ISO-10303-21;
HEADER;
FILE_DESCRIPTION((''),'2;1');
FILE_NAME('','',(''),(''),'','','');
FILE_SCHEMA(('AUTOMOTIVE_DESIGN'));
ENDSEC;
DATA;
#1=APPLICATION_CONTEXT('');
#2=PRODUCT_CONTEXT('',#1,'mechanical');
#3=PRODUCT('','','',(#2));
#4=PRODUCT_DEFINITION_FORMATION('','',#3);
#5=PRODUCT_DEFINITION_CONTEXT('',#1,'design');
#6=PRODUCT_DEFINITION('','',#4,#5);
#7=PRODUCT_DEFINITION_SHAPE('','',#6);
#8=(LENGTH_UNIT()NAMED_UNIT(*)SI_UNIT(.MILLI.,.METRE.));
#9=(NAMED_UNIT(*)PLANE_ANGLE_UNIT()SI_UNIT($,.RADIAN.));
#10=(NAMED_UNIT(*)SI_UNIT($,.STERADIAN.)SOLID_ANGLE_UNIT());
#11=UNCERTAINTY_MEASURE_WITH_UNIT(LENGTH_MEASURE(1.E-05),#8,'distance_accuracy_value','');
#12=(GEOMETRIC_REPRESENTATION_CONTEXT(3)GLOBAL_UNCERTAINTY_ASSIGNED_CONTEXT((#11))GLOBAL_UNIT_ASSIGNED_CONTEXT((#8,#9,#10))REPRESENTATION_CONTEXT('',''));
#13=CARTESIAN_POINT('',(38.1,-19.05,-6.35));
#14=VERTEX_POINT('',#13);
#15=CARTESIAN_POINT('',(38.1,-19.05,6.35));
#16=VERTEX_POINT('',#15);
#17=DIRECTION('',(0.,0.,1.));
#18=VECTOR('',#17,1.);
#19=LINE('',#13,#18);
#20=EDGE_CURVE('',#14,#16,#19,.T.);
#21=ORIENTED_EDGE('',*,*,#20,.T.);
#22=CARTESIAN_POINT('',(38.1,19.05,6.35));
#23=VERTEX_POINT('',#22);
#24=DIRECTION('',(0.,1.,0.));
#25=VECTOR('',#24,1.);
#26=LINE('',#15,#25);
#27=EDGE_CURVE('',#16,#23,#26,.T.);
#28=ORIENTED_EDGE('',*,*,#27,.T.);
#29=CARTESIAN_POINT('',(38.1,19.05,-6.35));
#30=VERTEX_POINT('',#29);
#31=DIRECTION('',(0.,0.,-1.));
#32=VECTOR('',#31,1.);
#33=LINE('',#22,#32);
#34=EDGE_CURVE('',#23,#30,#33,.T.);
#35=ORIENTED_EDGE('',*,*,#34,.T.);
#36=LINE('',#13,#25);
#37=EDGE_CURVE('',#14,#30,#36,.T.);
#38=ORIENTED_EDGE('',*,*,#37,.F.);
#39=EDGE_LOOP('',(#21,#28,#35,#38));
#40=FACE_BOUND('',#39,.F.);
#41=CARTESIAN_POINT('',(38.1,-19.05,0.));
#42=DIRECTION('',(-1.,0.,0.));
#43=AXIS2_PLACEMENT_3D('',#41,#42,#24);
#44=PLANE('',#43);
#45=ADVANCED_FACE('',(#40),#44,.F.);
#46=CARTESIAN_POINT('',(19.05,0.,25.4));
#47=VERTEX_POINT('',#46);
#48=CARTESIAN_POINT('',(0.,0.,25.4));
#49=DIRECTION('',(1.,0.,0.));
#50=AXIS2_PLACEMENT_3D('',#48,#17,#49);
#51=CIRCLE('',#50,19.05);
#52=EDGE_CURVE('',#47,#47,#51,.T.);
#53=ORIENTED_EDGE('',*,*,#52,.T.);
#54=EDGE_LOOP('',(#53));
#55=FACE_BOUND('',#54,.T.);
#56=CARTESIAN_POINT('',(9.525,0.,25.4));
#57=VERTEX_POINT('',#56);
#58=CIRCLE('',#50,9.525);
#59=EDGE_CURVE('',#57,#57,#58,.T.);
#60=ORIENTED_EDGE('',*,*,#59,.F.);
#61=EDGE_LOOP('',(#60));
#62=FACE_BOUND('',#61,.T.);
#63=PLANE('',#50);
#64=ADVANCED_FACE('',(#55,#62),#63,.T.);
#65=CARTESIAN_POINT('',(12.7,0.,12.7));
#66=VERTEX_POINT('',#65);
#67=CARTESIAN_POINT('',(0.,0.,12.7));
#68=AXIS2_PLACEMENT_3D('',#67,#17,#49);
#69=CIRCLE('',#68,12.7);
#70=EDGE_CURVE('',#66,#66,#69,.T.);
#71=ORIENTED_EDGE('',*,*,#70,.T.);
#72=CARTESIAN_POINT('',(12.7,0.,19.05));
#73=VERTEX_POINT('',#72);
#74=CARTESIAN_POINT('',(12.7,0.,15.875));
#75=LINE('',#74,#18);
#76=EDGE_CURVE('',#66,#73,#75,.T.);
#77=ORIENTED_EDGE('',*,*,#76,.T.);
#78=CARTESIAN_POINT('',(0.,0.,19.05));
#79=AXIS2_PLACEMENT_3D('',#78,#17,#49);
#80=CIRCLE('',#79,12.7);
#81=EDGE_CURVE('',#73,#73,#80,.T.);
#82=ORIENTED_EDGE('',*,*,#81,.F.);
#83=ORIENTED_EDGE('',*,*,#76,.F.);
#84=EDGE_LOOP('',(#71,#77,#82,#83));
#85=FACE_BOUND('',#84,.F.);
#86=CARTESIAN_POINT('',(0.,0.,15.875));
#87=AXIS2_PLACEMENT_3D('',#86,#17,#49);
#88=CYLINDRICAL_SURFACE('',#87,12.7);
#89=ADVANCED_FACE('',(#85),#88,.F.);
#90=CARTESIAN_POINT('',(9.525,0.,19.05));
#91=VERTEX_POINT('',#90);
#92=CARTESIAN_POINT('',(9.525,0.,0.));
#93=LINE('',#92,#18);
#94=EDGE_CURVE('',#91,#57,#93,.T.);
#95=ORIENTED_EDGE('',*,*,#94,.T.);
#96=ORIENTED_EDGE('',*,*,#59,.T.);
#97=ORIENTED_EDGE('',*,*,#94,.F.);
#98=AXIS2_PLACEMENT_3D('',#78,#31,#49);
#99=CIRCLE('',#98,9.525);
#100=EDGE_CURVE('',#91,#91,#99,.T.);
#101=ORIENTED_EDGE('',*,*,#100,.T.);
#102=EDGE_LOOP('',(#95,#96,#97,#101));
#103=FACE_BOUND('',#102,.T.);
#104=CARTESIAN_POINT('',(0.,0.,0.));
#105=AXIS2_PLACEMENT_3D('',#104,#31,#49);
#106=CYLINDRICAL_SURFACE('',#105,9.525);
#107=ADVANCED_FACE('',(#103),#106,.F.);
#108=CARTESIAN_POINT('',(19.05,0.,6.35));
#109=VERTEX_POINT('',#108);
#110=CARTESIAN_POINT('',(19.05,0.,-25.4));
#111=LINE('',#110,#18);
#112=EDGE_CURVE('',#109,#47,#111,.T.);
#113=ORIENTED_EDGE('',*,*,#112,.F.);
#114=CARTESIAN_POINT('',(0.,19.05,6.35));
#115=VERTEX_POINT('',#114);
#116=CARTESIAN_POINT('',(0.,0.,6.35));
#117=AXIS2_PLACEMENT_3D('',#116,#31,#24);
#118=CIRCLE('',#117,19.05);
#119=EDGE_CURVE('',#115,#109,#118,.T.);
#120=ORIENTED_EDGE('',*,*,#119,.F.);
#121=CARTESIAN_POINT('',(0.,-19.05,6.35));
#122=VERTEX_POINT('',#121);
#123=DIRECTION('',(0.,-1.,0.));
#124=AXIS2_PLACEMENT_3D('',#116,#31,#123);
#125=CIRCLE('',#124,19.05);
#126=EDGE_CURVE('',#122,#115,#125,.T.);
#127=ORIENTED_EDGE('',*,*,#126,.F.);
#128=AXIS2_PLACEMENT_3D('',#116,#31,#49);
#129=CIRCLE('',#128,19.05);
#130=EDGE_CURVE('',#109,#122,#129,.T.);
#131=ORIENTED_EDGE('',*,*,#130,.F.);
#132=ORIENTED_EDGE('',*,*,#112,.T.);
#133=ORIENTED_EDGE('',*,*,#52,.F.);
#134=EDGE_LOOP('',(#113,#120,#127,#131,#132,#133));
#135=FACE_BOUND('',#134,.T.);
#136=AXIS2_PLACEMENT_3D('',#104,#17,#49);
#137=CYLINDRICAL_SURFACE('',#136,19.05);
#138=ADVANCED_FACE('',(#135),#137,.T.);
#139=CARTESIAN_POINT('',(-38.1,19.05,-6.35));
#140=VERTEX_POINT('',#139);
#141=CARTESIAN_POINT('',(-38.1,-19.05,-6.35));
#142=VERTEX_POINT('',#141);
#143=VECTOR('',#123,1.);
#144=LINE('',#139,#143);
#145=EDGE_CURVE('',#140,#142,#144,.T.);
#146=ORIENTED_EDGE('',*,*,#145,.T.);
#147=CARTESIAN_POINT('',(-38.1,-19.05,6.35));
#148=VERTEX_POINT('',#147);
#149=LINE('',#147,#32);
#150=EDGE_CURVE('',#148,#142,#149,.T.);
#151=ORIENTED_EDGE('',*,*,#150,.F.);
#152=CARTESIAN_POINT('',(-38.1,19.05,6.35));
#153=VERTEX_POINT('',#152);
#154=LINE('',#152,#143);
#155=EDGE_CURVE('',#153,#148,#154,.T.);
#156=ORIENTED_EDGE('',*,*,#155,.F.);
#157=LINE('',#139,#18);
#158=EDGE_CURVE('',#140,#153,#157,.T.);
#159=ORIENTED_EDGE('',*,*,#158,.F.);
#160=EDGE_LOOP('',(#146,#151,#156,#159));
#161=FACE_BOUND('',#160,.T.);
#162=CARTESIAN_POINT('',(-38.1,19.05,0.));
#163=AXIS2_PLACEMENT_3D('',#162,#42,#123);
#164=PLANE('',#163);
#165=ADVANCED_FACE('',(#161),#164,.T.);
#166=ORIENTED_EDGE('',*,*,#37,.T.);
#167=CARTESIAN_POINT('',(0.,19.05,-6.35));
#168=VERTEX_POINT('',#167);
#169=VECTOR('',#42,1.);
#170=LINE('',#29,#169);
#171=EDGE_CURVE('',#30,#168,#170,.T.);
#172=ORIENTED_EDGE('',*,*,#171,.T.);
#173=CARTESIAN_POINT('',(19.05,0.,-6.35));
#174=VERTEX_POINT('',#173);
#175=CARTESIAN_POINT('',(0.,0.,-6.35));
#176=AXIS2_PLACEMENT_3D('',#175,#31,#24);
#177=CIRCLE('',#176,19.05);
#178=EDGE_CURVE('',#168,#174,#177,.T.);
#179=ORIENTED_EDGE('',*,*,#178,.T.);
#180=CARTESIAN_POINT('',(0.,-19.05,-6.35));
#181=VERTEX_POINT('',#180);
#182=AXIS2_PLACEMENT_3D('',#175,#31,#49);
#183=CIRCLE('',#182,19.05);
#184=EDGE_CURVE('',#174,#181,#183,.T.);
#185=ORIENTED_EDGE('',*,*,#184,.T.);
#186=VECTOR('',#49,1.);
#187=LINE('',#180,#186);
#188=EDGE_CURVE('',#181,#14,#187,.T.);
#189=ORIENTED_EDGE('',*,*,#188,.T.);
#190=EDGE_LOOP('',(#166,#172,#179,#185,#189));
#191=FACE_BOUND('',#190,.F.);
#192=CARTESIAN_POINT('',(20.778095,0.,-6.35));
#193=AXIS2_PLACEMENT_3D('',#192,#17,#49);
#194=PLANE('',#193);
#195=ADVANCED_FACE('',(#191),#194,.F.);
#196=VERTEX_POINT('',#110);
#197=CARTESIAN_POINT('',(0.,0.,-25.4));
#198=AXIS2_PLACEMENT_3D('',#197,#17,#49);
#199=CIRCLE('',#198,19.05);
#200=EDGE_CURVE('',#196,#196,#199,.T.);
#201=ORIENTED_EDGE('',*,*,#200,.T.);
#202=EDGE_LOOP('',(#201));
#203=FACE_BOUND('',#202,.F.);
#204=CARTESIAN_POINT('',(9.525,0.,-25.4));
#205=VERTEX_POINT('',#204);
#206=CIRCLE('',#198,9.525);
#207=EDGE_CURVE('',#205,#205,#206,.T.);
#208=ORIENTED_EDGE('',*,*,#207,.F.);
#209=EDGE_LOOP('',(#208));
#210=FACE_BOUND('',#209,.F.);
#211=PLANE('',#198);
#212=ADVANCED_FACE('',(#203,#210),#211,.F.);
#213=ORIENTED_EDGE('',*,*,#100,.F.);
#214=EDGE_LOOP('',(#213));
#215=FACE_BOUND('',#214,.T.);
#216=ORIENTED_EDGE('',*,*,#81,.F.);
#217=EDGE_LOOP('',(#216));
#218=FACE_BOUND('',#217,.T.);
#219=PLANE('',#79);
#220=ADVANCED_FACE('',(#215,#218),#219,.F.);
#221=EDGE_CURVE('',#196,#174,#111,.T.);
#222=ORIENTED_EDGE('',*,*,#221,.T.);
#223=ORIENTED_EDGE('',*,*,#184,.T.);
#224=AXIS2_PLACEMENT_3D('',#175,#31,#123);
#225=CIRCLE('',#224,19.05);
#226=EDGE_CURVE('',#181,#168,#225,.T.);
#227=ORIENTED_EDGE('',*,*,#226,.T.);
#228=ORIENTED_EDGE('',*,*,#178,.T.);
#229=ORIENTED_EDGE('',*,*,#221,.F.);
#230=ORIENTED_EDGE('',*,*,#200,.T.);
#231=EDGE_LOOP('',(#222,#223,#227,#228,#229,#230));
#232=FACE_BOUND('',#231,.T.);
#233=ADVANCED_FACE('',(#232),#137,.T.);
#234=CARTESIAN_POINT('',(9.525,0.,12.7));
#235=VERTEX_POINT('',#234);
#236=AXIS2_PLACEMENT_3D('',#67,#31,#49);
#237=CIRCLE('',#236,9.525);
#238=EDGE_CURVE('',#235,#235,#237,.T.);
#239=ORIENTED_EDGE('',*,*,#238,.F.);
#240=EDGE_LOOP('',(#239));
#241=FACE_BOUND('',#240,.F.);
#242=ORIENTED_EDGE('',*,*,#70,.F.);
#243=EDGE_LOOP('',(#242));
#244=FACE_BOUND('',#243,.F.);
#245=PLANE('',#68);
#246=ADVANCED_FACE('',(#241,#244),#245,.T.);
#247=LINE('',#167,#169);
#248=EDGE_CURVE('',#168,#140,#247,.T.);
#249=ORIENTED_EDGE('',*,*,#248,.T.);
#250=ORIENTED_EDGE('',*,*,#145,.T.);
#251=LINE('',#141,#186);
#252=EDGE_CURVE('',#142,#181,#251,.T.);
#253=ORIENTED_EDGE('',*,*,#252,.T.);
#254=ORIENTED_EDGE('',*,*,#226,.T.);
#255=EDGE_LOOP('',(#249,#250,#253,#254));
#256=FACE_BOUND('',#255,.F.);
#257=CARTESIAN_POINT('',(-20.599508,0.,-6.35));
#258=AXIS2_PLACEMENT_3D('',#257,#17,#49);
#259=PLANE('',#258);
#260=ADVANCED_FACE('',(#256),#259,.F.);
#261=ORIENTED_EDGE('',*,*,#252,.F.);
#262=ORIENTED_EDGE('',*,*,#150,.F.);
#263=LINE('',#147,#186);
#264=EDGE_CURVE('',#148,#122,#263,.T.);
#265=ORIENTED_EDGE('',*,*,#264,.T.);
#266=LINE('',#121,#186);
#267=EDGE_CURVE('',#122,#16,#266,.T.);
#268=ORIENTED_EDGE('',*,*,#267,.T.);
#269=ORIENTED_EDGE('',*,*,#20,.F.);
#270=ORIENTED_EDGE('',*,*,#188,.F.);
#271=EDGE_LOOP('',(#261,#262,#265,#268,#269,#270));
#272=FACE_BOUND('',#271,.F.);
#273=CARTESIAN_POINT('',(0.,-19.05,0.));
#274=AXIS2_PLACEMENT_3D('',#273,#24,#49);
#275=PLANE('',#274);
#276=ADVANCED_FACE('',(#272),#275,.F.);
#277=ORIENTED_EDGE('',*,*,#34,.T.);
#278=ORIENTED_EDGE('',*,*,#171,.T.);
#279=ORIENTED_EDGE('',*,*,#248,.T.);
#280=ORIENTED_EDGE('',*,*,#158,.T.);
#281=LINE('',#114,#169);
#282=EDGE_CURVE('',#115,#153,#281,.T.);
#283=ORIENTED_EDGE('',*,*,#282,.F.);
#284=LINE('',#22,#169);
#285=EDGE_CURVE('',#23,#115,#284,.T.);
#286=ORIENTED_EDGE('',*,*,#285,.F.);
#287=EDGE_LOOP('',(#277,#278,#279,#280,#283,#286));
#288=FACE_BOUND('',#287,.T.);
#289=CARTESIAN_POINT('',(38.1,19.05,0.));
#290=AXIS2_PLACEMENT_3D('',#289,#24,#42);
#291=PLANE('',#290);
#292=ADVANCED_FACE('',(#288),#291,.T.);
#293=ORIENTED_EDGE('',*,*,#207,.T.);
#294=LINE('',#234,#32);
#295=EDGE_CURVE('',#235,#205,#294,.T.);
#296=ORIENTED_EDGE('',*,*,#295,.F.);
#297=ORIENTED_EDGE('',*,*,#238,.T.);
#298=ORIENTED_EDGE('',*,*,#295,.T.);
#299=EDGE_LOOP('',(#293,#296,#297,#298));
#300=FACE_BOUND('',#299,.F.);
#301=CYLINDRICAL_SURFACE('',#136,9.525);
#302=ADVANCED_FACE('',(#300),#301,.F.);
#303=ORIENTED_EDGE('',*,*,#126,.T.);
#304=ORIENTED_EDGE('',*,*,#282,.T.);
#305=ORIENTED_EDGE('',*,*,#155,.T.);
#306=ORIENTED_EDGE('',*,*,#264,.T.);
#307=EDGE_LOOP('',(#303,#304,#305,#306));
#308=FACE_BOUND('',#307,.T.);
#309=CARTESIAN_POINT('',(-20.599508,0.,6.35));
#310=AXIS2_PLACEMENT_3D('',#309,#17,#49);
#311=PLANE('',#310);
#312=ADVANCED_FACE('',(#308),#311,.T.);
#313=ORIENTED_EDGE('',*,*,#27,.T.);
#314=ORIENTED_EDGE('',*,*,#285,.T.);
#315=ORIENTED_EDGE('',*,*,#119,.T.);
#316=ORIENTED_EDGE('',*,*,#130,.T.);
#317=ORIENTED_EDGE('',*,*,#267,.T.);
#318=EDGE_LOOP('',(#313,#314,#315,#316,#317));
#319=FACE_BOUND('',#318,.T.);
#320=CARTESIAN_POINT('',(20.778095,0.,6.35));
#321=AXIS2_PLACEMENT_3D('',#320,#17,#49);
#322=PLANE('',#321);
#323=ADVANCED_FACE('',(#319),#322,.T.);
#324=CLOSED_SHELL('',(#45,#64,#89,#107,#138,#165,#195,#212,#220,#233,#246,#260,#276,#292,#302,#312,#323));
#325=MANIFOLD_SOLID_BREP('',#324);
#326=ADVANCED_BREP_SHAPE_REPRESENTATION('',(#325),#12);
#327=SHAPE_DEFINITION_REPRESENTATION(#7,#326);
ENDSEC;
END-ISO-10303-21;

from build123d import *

# Parameters (mm, degrees)
F0_R     = 9.525
F1_DEPTH = 25.4
F2_DEPTH = 25.4
F3_DEPTH = 6.35
F4_W     = 12.7
F4_H     = 6.35


with BuildPart() as f1:
    # F0 (on Top) → F1 (new body)
    with BuildSketch(Plane.XY):
        with BuildLine():
            ThreePointArc((0, -19.05), (13.4703841816, -13.4703841816), (19.05, 0))
            ThreePointArc((19.05, 0), (13.4703841816, 13.4703841816), (0, 19.05))
            ThreePointArc((0, 19.05), (-19.05, 0), (0, -19.05))
        make_face()
        Circle(F0_R, mode=Mode.SUBTRACT)
    extrude(amount=F1_DEPTH)

    # F0 (on Top) → F2 (join)
    with BuildSketch(Plane.XY):
        with BuildLine():
            ThreePointArc((0, -19.05), (13.4703841816, -13.4703841816), (19.05, 0))
            ThreePointArc((19.05, 0), (13.4703841816, 13.4703841816), (0, 19.05))
            ThreePointArc((0, 19.05), (-19.05, 0), (0, -19.05))
        make_face()
        Circle(F0_R, mode=Mode.SUBTRACT)
    extrude(amount=-F2_DEPTH)

    # F0 (on Top) → F3 (join, symmetric)
    with BuildSketch(Plane.XY):
        with BuildLine():
            ThreePointArc((0, 19.05), (13.4703841816, 13.4703841816), (19.05, 0))
            ThreePointArc((19.05, 0), (13.4703841816, -13.4703841816), (0, -19.05))
            Line((0, -19.05), (38.1, -19.05))
            Line((38.1, -19.05), (38.1, 19.05))
            Line((38.1, 19.05), (0, 19.05))
        make_face()
        with BuildLine():
            ThreePointArc((0, -19.05), (-19.05, 0), (0, 19.05))
            Line((0, 19.05), (-38.1, 19.05))
            Line((-38.1, 19.05), (-38.1, -19.05))
            Line((-38.1, -19.05), (0, -19.05))
        make_face()
    extrude(amount=F3_DEPTH, both=True)

    # F4 (on Front) → F5 (revolve, cut)
    with BuildSketch(Plane.XZ):
        with Locations((6.35, 15.875)):
            Rectangle(F4_W, F4_H)
    revolve(axis=Axis((0, 0, 15.875), (0, 0, 1)), mode=Mode.SUBTRACT)


solid = f1.part
